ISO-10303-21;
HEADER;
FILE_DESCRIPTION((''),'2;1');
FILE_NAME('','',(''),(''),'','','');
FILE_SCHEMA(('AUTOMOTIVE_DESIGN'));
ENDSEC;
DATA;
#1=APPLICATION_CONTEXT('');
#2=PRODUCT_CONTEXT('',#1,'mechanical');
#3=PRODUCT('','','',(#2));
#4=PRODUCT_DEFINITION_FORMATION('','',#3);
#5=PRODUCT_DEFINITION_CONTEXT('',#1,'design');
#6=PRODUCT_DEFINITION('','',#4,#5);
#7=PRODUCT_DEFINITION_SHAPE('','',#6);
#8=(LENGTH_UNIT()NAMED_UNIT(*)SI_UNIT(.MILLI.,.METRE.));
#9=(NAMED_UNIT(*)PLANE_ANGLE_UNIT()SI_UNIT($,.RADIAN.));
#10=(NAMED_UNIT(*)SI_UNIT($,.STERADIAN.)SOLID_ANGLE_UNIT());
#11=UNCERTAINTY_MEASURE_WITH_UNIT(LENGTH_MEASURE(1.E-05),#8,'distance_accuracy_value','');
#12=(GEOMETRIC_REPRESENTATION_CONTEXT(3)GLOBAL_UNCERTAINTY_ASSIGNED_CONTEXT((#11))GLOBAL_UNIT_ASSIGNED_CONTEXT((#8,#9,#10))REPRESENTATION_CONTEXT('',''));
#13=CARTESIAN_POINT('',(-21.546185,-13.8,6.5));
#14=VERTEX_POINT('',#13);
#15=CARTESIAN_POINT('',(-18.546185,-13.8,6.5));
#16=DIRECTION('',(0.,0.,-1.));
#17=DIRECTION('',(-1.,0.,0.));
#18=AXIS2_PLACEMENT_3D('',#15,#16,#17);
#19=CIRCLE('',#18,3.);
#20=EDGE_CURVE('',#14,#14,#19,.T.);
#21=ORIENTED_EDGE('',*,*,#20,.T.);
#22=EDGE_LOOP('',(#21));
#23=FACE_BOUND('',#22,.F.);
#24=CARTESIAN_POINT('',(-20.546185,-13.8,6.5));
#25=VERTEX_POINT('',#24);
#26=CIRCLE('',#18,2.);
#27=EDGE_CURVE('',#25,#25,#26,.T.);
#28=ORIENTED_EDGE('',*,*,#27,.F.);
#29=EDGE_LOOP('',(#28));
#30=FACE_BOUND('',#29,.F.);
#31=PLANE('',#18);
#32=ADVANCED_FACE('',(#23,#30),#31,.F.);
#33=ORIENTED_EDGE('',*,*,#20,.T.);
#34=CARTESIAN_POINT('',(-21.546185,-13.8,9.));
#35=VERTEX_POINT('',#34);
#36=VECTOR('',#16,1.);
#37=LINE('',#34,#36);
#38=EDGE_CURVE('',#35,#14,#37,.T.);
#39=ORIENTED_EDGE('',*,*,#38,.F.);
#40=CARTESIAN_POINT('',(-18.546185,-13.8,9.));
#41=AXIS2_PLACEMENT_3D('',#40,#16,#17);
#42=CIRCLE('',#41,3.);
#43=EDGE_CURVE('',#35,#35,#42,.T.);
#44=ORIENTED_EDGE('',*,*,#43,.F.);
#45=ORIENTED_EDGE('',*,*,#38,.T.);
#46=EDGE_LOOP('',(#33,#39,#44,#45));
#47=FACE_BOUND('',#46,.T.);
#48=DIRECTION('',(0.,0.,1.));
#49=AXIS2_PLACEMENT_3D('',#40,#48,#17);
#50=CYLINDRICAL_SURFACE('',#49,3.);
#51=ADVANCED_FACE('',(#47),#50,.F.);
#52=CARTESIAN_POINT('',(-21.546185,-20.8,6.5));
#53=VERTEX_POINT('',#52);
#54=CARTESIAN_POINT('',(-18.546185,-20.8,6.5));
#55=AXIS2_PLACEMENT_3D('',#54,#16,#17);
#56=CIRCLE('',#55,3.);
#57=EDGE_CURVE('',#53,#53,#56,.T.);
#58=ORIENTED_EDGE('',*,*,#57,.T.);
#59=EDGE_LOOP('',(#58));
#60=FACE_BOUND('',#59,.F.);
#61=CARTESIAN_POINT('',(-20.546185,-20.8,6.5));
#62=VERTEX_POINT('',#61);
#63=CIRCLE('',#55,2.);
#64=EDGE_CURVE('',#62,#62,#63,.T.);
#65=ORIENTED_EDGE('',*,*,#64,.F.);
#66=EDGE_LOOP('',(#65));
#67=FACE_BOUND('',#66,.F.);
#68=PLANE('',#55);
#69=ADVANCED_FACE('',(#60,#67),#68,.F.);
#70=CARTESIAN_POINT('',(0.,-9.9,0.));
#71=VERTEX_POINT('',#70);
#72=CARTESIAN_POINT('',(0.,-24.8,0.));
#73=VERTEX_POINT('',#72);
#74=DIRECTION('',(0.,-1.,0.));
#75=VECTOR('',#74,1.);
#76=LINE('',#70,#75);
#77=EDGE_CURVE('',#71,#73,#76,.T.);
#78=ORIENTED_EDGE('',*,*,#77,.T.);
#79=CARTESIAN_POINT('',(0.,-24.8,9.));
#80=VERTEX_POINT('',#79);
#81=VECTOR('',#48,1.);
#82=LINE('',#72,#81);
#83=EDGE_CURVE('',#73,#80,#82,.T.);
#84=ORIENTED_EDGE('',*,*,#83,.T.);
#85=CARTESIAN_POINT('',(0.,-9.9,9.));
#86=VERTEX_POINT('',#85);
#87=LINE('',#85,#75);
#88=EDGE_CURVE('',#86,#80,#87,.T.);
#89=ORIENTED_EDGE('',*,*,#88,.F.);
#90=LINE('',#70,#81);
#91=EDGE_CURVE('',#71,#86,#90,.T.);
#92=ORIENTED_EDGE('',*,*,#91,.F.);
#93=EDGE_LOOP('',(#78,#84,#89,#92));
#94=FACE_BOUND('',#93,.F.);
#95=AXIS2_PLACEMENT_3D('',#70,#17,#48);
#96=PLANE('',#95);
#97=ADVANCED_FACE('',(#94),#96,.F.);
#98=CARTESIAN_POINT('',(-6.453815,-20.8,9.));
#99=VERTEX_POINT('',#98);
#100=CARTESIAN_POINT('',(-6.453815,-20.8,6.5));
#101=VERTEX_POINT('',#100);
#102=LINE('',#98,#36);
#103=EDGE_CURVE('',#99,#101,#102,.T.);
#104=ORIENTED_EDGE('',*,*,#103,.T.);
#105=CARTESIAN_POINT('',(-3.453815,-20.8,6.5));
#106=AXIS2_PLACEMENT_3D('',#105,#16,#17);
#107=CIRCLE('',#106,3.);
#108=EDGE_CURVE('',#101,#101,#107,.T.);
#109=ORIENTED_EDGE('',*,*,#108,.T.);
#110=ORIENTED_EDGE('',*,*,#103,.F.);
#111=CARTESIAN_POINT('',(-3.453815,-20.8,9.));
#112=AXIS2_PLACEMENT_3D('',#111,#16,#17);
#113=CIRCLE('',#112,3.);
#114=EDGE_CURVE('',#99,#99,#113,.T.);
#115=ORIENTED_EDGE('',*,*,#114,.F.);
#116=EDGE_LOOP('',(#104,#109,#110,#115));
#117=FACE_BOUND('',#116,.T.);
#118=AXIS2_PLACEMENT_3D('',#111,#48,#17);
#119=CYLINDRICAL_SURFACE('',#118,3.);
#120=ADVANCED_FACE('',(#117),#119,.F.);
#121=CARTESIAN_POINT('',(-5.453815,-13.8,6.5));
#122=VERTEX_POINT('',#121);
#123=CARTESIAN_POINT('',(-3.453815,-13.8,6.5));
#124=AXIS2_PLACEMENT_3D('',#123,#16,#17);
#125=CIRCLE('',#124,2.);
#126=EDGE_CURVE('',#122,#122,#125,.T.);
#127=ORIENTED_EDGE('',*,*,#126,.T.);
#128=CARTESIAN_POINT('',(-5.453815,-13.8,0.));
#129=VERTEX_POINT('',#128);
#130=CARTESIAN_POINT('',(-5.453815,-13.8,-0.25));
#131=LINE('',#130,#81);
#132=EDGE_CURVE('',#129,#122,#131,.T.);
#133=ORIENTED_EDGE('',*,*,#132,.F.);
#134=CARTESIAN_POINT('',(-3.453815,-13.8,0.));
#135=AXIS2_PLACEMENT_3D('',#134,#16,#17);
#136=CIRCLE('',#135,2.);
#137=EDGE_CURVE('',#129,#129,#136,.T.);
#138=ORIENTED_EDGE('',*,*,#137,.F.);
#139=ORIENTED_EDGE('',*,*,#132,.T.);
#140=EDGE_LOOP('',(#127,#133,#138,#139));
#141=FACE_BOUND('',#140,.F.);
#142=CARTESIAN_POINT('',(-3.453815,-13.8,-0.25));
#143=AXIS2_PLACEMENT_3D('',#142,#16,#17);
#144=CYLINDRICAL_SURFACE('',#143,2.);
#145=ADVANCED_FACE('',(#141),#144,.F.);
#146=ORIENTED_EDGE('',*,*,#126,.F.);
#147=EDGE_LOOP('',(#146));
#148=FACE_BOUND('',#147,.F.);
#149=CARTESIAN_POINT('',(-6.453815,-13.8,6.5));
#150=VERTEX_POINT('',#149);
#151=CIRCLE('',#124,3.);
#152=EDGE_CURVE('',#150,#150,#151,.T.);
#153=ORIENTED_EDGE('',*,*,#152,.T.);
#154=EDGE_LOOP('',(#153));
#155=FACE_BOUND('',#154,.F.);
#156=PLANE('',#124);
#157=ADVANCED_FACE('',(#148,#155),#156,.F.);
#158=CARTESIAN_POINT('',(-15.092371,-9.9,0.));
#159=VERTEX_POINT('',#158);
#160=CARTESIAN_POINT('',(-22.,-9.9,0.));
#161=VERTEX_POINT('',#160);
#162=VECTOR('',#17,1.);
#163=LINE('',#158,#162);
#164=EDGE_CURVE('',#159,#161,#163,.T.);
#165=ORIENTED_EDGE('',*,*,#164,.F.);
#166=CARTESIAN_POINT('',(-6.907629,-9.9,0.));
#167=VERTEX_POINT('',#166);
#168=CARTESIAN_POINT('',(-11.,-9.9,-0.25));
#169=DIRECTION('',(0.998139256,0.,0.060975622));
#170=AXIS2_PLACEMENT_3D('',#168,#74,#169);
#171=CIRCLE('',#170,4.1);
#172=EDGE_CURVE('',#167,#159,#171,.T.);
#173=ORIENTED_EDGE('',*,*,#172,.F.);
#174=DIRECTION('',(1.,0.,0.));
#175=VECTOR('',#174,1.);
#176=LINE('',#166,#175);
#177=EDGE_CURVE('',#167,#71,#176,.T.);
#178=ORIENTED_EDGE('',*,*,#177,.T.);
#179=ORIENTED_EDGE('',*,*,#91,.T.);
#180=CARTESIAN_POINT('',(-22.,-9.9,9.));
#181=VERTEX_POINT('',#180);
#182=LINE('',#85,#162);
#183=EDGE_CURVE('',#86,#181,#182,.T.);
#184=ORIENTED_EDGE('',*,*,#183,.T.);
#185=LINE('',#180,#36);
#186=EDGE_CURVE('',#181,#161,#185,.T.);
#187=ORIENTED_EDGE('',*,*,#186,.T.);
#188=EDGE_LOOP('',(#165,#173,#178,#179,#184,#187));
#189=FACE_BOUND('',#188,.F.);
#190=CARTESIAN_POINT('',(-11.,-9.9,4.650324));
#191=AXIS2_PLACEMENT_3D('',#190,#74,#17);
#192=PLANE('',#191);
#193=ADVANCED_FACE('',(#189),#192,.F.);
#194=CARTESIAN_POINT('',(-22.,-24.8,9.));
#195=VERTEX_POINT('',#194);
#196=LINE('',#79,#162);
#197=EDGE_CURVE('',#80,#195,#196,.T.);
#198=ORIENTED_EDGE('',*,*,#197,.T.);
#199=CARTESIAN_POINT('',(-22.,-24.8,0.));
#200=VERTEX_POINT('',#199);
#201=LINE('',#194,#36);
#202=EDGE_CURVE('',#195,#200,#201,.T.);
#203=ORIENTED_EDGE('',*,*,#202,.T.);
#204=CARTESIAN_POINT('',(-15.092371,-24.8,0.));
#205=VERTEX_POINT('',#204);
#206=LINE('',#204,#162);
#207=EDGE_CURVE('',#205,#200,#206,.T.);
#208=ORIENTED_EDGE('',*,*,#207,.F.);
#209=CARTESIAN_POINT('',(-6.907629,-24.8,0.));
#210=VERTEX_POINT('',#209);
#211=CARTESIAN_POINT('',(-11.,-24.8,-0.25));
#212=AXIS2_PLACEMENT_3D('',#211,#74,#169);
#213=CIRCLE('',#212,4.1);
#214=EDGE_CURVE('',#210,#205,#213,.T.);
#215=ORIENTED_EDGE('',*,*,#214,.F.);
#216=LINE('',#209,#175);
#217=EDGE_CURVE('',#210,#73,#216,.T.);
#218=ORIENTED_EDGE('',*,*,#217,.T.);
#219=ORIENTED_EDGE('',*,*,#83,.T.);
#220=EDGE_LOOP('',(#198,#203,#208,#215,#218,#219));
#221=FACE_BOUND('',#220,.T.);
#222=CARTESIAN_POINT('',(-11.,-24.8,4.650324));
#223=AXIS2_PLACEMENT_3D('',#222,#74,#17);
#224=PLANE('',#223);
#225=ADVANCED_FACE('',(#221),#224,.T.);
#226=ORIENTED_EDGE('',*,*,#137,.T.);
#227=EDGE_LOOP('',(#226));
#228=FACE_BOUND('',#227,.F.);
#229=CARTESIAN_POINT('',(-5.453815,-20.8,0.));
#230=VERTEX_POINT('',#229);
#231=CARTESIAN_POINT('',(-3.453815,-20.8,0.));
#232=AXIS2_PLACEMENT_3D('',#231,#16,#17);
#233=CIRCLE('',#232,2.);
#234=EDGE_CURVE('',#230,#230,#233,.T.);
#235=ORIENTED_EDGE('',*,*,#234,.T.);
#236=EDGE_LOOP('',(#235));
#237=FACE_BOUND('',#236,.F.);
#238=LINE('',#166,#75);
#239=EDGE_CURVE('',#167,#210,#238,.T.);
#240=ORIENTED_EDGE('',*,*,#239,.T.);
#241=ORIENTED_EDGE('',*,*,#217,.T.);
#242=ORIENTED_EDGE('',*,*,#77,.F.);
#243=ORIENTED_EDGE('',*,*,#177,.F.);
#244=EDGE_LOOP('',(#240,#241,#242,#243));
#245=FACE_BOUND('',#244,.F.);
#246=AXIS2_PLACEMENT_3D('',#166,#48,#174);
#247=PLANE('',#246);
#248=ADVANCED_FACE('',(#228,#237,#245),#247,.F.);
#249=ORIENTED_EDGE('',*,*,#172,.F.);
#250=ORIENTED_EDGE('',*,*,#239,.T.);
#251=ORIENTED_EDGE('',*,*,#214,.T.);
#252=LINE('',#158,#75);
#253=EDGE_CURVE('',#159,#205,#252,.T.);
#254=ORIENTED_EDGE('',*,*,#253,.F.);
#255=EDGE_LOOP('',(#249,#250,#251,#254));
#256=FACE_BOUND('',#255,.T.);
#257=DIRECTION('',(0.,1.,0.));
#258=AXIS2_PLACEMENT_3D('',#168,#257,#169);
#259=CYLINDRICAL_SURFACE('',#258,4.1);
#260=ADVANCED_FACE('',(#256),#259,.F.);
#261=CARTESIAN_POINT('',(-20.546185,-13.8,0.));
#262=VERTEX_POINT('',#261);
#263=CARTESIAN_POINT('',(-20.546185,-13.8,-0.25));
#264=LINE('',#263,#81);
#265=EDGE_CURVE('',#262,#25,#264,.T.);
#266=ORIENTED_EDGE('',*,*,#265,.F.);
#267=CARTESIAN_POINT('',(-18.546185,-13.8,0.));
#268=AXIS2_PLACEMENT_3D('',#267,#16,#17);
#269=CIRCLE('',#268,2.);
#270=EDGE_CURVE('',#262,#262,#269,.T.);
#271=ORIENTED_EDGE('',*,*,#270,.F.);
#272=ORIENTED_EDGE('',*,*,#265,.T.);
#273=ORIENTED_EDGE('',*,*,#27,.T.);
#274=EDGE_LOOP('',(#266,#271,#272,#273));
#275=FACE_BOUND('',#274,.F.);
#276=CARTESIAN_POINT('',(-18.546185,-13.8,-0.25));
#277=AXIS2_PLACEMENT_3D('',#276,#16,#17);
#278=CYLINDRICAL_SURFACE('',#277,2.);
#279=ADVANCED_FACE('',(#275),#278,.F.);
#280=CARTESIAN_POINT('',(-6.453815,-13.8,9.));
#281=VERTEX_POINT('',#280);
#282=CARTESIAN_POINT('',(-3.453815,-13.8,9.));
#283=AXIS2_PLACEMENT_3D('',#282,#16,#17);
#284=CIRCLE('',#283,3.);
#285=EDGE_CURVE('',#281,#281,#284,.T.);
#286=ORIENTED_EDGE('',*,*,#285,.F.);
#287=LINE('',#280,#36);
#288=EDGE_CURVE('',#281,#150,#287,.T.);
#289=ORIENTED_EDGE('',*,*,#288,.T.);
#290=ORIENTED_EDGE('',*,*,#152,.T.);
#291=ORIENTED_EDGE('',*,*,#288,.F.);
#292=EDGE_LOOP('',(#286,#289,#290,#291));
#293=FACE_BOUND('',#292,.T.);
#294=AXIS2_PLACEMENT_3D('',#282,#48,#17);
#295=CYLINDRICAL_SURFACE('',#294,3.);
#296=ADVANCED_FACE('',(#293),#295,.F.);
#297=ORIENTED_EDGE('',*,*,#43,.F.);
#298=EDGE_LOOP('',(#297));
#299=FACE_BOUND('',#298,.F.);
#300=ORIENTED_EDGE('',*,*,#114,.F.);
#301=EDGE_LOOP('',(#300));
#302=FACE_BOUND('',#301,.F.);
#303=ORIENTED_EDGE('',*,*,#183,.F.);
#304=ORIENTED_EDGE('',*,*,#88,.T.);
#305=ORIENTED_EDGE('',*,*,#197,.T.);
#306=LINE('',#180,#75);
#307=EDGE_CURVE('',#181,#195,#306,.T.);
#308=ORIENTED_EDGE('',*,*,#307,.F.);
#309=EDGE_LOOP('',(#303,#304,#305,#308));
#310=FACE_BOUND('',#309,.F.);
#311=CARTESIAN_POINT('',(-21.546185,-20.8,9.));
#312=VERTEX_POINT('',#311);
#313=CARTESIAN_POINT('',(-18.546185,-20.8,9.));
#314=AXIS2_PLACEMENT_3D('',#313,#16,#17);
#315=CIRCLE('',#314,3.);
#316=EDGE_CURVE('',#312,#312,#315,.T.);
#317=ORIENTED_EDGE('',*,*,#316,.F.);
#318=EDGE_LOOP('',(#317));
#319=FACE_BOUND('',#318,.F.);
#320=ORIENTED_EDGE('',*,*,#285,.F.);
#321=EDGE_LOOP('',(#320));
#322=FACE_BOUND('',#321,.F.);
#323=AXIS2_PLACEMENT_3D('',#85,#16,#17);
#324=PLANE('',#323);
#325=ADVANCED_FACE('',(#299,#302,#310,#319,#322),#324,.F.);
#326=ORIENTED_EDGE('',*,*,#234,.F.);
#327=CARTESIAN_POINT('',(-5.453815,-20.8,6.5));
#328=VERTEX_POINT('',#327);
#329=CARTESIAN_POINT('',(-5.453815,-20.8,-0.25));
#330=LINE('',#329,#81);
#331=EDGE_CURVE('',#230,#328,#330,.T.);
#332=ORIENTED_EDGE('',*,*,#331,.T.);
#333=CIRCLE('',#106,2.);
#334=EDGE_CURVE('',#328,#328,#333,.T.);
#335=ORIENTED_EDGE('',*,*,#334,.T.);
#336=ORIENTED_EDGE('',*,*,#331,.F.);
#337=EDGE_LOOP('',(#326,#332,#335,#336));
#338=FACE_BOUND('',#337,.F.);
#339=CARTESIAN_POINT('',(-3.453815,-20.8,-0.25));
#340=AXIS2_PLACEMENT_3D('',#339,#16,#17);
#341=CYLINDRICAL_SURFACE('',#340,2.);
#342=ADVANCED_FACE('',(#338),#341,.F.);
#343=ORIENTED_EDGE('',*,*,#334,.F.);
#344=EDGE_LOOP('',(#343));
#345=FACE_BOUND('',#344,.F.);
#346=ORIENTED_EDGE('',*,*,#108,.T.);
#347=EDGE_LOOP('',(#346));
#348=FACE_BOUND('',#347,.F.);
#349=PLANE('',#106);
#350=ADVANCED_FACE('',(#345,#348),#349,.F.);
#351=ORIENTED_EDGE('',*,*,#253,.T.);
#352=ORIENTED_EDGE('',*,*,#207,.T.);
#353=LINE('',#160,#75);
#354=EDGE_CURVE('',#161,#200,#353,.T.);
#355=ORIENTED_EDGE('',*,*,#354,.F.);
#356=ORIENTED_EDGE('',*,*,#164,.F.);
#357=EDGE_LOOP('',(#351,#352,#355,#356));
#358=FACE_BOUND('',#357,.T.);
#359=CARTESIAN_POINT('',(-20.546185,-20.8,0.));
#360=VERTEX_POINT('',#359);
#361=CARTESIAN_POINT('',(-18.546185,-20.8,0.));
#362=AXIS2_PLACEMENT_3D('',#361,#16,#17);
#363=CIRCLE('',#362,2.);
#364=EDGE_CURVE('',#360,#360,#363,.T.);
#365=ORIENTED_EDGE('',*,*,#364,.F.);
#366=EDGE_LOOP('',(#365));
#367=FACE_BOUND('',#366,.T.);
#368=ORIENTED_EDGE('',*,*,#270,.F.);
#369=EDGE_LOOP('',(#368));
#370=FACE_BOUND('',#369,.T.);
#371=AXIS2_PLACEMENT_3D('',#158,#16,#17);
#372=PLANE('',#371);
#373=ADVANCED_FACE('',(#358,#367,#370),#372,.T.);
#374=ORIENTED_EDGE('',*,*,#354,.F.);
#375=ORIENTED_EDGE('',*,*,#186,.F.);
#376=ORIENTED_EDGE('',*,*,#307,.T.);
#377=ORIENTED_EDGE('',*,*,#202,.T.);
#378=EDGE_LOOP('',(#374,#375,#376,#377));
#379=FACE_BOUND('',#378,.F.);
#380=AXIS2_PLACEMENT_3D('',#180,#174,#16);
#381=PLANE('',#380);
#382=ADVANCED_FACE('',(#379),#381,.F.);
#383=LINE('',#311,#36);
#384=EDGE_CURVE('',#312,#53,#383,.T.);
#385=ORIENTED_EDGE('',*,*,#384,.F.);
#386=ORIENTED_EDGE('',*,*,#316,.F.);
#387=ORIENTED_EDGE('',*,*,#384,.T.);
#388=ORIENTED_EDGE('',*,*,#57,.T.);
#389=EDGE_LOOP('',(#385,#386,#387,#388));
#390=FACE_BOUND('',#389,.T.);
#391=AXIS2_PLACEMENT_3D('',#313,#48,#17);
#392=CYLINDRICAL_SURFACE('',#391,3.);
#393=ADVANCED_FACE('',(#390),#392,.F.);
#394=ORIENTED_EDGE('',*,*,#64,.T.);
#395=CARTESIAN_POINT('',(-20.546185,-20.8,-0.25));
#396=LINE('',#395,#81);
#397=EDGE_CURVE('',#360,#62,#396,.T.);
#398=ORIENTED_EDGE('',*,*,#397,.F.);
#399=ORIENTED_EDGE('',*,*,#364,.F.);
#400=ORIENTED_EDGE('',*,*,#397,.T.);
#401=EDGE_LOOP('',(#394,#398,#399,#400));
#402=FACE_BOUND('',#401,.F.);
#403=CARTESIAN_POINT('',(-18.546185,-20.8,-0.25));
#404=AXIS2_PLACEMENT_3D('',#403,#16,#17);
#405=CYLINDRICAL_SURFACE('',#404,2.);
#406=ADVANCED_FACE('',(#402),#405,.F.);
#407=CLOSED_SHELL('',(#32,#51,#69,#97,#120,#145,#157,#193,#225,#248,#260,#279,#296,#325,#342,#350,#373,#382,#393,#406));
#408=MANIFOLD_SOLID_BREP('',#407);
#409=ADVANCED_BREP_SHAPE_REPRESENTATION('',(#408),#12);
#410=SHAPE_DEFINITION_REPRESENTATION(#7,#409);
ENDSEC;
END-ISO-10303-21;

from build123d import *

# Parameters (mm, degrees)
PAD016_DEPTH            = 14.9
SKETCH037_R             = 2
POCKET017_DEPTH         = 9.251
SKETCH038_R             = 3
POCKET018_DEPTH         = 2.5
BODY022_PLACEMENT_ANGLE = 180


with BuildPart() as part:
    # Sketch036 (on DatumPlane) → Pad016 (new body)
    with BuildSketch(Plane.XZ.offset(9.9)):
        with BuildLine():
            Line((-22, -0.25), (-22, -9.25))
            Line((-22, -9.25), (0, -9.25))
            Line((0, -9.25), (0, -0.25))
            Line((-6.907629, -0.25), (0, -0.25))
            ThreePointArc((-15.092371, -0.25), (-11, -4.1), (-6.907629, -0.25))
            Line((-15.092371, -0.25), (-22, -0.25))
        make_face()
    extrude(amount=PAD016_DEPTH)

    # Sketch037 → Pocket017 (cut, through all)
    with BuildSketch(Plane.XY):
        with Locations((-18.546185, -13.8)):
            Circle(SKETCH037_R)
        with Locations((-18.546185, -20.8)):
            Circle(SKETCH037_R)
        with Locations((-3.453815, -20.8)):
            Circle(SKETCH037_R)
        with Locations((-3.453815, -13.8)):
            Circle(SKETCH037_R)
    extrude(amount=-POCKET017_DEPTH, mode=Mode.SUBTRACT)

    # Sketch038 (on DatumPlane) → Pocket018 (cut)
    with BuildSketch(Plane.XY.offset(-9.25)):
        with Locations((-18.546185, -13.8)):
            Circle(SKETCH038_R)
        with Locations((-18.546185, -20.8)):
            Circle(SKETCH038_R)
        with Locations((-3.453815, -13.8)):
            Circle(SKETCH038_R)
        with Locations((-3.453815, -20.8)):
            Circle(SKETCH038_R)
    extrude(amount=POCKET018_DEPTH, mode=Mode.SUBTRACT)


with BuildPart() as part_1:
    # Body022 placement: moved
    add(part.part.moved(Location((-22, 0, -0.25))).rotate(Axis((-22, 0, -0.25), (0, 1, 0)), BODY022_PLACEMENT_ANGLE))


solid = part_1.part
